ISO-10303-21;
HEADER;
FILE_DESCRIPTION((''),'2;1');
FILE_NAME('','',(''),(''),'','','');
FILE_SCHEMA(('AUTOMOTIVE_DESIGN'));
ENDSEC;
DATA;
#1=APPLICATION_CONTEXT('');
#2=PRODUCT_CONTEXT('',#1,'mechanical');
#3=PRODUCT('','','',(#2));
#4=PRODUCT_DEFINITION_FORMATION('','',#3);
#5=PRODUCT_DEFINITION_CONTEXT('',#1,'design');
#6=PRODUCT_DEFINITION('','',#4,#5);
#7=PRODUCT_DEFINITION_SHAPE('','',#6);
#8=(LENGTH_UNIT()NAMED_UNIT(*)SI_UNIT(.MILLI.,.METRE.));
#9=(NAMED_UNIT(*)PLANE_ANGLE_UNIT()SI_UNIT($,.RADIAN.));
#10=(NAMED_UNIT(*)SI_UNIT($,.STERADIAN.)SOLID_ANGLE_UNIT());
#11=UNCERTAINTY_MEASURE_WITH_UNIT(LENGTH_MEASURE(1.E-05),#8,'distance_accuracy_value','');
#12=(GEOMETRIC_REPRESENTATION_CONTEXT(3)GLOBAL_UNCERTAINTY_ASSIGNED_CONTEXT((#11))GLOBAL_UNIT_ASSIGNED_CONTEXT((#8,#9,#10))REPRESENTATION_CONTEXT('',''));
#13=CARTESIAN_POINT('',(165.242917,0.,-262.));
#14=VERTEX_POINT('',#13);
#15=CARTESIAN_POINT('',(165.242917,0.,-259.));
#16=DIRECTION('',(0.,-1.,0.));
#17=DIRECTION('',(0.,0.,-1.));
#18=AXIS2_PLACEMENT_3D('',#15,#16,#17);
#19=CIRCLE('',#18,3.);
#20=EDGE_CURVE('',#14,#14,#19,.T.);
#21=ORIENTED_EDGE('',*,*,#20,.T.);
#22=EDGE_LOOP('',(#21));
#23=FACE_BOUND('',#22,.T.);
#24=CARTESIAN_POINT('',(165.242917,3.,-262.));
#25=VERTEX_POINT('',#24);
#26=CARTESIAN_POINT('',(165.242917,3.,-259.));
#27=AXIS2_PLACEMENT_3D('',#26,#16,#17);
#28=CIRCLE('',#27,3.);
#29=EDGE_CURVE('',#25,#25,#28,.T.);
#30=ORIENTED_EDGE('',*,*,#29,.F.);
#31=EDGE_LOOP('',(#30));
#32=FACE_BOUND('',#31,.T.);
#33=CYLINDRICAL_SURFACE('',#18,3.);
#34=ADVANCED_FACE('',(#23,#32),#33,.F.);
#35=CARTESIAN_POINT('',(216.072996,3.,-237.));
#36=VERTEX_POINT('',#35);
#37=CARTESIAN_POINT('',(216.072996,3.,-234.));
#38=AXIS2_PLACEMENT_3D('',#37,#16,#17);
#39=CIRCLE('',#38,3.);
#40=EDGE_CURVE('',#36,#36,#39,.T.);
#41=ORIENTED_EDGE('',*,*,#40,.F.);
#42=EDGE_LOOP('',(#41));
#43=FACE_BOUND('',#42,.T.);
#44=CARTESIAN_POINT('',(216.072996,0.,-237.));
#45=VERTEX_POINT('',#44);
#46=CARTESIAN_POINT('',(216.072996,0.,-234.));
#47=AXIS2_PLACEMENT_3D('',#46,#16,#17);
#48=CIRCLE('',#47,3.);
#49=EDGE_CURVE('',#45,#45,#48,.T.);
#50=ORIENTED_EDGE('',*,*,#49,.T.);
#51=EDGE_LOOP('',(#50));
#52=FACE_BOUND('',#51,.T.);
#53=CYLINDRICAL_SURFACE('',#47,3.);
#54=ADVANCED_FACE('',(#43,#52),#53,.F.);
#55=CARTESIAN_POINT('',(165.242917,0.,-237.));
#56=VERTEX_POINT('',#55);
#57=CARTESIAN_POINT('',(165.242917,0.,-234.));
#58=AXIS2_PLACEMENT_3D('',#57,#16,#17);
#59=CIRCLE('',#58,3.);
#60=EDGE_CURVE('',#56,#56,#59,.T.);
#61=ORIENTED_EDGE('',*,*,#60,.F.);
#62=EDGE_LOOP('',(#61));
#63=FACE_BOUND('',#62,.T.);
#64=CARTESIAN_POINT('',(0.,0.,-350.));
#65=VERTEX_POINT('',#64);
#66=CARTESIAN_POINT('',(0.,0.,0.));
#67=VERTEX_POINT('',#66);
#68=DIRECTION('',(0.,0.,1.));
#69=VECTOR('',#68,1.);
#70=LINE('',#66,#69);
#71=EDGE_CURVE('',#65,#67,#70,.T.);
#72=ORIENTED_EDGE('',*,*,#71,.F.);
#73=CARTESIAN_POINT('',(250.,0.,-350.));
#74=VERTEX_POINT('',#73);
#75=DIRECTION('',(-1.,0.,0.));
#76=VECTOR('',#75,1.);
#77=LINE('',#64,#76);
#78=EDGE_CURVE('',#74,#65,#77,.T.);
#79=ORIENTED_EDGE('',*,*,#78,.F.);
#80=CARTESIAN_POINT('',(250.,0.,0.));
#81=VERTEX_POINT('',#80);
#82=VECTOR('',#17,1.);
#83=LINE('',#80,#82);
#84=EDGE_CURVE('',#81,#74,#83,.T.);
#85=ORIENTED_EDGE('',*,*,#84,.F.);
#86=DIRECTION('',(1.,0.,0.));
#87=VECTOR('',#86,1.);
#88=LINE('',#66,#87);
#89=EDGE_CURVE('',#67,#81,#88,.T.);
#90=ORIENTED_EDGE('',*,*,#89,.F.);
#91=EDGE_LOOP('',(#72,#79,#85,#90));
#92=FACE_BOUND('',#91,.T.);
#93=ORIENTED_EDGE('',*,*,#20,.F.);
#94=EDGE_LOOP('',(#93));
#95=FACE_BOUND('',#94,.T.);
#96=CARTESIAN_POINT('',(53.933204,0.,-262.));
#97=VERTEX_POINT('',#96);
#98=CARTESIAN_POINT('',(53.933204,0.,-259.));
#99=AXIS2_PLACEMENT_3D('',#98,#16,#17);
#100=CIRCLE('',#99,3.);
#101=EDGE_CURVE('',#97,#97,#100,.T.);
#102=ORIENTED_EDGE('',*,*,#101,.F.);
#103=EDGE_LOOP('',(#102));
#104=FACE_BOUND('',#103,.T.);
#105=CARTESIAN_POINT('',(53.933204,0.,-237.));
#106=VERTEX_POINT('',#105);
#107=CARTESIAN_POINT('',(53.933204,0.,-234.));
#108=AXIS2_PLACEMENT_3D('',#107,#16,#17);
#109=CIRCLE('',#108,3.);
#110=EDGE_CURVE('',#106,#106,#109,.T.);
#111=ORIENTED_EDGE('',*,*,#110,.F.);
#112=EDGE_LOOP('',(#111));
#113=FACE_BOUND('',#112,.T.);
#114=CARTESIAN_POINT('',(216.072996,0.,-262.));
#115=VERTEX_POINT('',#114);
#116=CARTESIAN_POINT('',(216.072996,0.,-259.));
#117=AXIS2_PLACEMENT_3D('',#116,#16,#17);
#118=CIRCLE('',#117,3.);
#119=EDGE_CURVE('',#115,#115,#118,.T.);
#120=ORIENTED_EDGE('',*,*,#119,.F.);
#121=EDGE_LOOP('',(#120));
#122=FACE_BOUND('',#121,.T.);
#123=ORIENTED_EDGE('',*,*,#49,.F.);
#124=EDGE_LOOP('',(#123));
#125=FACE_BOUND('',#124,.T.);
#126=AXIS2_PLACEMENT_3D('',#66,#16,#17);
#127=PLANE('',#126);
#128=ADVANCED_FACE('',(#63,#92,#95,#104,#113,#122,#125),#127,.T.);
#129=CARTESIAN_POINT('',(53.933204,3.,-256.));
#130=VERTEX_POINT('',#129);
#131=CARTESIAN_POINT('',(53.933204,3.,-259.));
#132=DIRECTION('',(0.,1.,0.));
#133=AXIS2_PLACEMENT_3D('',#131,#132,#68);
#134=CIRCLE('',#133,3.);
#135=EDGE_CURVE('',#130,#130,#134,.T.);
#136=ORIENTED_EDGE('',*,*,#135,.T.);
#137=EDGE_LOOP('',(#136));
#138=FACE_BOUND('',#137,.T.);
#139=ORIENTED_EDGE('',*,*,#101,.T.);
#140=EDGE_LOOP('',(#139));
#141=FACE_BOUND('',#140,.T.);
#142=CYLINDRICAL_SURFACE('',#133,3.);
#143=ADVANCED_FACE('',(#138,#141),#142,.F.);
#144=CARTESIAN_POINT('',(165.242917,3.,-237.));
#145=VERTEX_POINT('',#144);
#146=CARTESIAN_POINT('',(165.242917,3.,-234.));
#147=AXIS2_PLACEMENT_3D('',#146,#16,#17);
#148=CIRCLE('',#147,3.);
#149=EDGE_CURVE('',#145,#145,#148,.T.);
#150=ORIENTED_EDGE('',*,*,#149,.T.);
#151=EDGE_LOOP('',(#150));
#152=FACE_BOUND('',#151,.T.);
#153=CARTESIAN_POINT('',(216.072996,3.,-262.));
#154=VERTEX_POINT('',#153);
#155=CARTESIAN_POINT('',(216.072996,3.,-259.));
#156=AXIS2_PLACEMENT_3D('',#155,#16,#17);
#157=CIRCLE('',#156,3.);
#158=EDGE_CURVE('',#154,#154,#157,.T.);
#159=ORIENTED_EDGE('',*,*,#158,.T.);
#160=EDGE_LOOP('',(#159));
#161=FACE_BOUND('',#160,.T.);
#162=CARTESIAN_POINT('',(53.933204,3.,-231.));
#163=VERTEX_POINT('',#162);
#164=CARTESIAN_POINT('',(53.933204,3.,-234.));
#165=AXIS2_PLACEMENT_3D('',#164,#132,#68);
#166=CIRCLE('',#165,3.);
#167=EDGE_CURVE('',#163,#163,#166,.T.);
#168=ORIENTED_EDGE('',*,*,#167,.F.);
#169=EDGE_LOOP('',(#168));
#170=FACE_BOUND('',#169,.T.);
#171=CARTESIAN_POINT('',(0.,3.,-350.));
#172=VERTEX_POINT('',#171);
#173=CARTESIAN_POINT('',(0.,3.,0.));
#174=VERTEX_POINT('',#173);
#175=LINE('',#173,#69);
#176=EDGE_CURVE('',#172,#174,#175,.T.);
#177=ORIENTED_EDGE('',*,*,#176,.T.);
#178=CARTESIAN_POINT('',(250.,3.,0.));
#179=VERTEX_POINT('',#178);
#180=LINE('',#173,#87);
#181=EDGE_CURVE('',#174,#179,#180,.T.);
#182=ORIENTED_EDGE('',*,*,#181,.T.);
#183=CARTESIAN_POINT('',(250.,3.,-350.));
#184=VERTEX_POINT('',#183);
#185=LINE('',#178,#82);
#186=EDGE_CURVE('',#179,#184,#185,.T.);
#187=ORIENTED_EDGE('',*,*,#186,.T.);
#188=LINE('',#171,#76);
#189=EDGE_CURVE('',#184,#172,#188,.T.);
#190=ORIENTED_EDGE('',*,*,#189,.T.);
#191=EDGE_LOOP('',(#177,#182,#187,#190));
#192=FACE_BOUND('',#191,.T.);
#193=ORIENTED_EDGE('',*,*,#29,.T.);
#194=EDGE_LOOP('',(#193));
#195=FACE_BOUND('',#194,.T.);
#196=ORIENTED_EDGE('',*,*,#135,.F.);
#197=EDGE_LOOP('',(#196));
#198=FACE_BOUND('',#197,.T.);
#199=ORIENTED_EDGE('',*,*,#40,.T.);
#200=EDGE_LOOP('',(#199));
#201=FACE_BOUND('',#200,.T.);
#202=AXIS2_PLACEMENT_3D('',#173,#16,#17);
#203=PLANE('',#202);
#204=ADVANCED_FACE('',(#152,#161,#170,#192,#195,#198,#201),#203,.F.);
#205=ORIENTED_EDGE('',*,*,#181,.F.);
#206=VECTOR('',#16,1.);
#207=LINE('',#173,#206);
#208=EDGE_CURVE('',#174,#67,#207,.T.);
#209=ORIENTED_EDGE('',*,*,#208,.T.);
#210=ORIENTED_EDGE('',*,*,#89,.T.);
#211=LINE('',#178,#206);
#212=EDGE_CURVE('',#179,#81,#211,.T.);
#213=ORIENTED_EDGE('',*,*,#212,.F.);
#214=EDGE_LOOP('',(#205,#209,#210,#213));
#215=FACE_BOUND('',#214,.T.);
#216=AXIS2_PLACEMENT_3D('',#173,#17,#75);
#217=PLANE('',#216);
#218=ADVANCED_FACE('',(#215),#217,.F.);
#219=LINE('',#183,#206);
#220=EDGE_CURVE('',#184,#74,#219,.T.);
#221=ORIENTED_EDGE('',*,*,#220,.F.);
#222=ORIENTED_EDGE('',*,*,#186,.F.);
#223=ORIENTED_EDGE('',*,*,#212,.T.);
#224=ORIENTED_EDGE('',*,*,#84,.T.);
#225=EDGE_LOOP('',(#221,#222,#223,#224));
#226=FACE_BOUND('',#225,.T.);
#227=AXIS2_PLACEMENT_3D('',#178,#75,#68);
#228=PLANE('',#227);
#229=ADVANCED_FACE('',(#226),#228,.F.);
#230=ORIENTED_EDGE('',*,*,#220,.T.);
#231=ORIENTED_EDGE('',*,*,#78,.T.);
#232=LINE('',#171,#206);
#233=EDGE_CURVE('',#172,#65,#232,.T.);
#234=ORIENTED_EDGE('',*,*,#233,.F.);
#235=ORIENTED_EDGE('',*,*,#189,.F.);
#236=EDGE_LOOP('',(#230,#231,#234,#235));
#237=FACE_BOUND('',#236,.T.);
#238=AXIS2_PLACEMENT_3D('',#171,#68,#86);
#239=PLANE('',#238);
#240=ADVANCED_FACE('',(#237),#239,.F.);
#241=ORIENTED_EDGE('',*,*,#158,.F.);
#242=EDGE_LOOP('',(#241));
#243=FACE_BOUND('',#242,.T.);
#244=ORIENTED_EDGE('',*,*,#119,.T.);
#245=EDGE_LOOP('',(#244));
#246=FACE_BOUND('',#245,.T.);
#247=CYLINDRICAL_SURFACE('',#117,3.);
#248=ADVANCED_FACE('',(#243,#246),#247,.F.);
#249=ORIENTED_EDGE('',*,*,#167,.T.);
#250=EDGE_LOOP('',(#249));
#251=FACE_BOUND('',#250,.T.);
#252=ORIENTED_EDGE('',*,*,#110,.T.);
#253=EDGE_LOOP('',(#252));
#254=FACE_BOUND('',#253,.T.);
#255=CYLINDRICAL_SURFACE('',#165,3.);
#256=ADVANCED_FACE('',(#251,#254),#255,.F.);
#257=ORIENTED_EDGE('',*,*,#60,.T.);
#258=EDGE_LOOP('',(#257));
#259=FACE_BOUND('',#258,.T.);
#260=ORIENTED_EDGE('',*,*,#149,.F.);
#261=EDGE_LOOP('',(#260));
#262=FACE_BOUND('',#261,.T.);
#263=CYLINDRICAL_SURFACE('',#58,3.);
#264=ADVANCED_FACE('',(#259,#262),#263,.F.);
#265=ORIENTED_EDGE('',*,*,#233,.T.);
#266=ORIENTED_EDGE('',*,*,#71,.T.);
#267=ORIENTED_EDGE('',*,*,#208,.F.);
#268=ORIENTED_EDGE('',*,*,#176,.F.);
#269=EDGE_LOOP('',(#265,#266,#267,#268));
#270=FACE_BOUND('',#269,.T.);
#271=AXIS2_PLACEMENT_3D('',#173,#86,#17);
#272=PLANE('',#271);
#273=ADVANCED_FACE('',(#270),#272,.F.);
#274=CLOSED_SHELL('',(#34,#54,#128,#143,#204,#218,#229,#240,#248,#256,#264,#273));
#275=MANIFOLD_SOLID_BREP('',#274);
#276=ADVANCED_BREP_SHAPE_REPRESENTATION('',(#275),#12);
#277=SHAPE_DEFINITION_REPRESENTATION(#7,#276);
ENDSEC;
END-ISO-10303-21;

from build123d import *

# Parameters (mm, degrees)
SKETCH2_W                 = 250
SKETCH2_H                 = 350
BOSS_EXTRUDE1_DEPTH       = 3
F_6_0MM_DOWEL_HOLE3_D     = 6
F_6_0MM_DOWEL_HOLE3_DEPTH = 3
F_6_0MM_DOWEL_HOLE4_D     = 6
F_6_0MM_DOWEL_HOLE4_DEPTH = 3


with BuildPart() as part:
    # Sketch2 → Boss-Extrude1 (new body)
    with BuildSketch(Plane(origin=(0, 0, 0), x_dir=(1, 0, 0), z_dir=(0, 1, 0))):
        with Locations((125, 175)):
            Rectangle(SKETCH2_W, SKETCH2_H)
    extrude(amount=BOSS_EXTRUDE1_DEPTH)

    # Ø6.0mm Dowel Hole3
    with Locations(Plane(origin=(0, 0, 0), x_dir=(-1, 0, 0), z_dir=(0, -1, 0))):
        with Locations((-165.242917031, 259), (-216.072996176, 259), (-216.072996176, 234), (-165.242917031, 234)):
            Hole(F_6_0MM_DOWEL_HOLE3_D / 2, depth=F_6_0MM_DOWEL_HOLE3_DEPTH)

    # Ø6.0mm Dowel Hole4
    with Locations(Plane(origin=(0, 3, 0), x_dir=(1, 0, 0), z_dir=(0, 1, 0))):
        with Locations((53.933204471, 259), (53.933204471, 234)):
            Hole(F_6_0MM_DOWEL_HOLE4_D / 2, depth=F_6_0MM_DOWEL_HOLE4_DEPTH)


solid = part.part
